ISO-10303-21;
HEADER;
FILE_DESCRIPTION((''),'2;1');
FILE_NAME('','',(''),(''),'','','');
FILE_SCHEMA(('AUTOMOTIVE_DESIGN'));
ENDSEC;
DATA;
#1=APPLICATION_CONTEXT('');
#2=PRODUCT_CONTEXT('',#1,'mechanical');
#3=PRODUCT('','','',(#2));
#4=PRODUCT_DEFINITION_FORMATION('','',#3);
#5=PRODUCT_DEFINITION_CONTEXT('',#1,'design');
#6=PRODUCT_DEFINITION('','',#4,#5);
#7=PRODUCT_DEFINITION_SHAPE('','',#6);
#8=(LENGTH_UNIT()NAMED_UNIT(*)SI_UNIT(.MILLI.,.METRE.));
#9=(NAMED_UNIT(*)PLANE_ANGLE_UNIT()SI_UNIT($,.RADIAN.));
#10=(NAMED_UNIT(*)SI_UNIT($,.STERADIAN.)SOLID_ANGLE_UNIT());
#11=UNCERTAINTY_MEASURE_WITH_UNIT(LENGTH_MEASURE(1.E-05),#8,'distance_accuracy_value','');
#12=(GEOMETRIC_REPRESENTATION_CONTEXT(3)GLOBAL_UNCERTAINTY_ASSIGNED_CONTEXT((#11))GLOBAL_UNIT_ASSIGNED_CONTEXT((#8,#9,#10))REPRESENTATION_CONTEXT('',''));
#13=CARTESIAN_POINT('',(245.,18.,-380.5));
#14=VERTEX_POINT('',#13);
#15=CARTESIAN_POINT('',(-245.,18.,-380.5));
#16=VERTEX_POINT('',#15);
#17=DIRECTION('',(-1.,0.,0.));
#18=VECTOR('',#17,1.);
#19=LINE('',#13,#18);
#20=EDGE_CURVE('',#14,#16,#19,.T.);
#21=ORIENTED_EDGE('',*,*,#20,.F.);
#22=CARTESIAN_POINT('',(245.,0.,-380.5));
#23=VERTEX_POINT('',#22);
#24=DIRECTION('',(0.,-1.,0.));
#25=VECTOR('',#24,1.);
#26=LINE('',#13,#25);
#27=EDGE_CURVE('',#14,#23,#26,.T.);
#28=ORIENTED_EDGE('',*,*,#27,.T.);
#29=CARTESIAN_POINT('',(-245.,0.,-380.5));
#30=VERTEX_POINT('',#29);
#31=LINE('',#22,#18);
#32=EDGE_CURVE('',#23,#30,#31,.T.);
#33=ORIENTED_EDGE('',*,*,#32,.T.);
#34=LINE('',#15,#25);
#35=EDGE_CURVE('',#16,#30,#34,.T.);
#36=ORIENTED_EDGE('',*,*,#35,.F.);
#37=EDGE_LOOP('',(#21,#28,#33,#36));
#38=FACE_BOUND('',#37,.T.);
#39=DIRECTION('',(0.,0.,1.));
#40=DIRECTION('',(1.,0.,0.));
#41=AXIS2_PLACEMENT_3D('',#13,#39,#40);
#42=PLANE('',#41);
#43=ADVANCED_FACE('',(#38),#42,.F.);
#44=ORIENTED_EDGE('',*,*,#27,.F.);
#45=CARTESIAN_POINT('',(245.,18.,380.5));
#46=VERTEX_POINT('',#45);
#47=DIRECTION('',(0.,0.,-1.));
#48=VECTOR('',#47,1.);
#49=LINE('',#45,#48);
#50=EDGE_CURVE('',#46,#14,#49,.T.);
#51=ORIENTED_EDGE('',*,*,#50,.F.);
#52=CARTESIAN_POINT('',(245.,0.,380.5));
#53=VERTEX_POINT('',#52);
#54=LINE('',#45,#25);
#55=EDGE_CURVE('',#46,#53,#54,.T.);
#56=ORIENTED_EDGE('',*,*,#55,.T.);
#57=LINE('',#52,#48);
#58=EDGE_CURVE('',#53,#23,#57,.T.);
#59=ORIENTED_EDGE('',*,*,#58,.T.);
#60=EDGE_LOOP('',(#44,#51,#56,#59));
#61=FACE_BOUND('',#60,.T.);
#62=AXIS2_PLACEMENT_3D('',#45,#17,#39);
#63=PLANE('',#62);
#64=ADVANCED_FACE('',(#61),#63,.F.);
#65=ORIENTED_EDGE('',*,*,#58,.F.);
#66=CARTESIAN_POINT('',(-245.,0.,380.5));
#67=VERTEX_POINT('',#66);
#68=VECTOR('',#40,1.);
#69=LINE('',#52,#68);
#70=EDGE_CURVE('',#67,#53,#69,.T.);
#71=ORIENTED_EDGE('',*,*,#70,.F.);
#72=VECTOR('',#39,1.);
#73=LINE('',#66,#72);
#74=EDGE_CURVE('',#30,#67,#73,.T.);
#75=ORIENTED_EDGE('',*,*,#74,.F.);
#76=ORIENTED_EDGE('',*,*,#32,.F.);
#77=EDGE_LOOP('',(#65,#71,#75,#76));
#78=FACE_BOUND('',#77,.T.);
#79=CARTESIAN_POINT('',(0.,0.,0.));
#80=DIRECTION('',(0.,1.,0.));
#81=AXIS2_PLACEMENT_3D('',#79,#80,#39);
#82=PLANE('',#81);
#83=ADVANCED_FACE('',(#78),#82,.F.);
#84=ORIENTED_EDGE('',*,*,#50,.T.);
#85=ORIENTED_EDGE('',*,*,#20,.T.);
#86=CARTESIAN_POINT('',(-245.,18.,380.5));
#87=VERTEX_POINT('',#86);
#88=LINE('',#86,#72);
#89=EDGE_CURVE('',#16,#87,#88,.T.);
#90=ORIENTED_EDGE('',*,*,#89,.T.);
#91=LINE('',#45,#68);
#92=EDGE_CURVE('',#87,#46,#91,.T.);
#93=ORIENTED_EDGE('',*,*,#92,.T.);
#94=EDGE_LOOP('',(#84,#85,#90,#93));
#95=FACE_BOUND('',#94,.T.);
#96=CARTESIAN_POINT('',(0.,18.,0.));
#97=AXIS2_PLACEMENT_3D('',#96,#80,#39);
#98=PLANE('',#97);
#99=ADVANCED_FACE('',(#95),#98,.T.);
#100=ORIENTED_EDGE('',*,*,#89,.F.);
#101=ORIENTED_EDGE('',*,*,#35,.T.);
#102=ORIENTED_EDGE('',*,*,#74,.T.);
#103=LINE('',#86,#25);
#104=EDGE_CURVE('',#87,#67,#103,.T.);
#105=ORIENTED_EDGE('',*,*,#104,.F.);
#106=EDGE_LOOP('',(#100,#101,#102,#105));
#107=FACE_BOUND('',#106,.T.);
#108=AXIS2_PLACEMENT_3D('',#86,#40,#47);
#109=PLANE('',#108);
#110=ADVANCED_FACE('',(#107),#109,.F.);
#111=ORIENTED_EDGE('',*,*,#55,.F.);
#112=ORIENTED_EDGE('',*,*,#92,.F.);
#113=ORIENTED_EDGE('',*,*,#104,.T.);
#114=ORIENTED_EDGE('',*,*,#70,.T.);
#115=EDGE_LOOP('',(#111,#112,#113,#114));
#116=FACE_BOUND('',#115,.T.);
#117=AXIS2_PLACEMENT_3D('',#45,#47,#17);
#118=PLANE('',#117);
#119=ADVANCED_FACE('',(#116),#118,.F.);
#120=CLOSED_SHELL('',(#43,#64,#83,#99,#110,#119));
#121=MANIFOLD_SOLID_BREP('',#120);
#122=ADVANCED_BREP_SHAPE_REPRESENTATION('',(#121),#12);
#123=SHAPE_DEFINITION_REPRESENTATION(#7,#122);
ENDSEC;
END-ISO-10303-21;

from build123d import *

# Parameters (mm, degrees)
SKETCH_1_W      = 490
SKETCH_1_H      = 761
EXTRUDE_1_DEPTH = 18


with BuildPart() as part:
    # Эскиз1 → Бобышка-Вытянуть1 (new body)
    with BuildSketch(Plane(origin=(0, 0, 0), x_dir=(1, 0, 0), z_dir=(0, 1, 0))):
        Rectangle(SKETCH_1_W, SKETCH_1_H)
    extrude(amount=EXTRUDE_1_DEPTH)


solid = part.part
